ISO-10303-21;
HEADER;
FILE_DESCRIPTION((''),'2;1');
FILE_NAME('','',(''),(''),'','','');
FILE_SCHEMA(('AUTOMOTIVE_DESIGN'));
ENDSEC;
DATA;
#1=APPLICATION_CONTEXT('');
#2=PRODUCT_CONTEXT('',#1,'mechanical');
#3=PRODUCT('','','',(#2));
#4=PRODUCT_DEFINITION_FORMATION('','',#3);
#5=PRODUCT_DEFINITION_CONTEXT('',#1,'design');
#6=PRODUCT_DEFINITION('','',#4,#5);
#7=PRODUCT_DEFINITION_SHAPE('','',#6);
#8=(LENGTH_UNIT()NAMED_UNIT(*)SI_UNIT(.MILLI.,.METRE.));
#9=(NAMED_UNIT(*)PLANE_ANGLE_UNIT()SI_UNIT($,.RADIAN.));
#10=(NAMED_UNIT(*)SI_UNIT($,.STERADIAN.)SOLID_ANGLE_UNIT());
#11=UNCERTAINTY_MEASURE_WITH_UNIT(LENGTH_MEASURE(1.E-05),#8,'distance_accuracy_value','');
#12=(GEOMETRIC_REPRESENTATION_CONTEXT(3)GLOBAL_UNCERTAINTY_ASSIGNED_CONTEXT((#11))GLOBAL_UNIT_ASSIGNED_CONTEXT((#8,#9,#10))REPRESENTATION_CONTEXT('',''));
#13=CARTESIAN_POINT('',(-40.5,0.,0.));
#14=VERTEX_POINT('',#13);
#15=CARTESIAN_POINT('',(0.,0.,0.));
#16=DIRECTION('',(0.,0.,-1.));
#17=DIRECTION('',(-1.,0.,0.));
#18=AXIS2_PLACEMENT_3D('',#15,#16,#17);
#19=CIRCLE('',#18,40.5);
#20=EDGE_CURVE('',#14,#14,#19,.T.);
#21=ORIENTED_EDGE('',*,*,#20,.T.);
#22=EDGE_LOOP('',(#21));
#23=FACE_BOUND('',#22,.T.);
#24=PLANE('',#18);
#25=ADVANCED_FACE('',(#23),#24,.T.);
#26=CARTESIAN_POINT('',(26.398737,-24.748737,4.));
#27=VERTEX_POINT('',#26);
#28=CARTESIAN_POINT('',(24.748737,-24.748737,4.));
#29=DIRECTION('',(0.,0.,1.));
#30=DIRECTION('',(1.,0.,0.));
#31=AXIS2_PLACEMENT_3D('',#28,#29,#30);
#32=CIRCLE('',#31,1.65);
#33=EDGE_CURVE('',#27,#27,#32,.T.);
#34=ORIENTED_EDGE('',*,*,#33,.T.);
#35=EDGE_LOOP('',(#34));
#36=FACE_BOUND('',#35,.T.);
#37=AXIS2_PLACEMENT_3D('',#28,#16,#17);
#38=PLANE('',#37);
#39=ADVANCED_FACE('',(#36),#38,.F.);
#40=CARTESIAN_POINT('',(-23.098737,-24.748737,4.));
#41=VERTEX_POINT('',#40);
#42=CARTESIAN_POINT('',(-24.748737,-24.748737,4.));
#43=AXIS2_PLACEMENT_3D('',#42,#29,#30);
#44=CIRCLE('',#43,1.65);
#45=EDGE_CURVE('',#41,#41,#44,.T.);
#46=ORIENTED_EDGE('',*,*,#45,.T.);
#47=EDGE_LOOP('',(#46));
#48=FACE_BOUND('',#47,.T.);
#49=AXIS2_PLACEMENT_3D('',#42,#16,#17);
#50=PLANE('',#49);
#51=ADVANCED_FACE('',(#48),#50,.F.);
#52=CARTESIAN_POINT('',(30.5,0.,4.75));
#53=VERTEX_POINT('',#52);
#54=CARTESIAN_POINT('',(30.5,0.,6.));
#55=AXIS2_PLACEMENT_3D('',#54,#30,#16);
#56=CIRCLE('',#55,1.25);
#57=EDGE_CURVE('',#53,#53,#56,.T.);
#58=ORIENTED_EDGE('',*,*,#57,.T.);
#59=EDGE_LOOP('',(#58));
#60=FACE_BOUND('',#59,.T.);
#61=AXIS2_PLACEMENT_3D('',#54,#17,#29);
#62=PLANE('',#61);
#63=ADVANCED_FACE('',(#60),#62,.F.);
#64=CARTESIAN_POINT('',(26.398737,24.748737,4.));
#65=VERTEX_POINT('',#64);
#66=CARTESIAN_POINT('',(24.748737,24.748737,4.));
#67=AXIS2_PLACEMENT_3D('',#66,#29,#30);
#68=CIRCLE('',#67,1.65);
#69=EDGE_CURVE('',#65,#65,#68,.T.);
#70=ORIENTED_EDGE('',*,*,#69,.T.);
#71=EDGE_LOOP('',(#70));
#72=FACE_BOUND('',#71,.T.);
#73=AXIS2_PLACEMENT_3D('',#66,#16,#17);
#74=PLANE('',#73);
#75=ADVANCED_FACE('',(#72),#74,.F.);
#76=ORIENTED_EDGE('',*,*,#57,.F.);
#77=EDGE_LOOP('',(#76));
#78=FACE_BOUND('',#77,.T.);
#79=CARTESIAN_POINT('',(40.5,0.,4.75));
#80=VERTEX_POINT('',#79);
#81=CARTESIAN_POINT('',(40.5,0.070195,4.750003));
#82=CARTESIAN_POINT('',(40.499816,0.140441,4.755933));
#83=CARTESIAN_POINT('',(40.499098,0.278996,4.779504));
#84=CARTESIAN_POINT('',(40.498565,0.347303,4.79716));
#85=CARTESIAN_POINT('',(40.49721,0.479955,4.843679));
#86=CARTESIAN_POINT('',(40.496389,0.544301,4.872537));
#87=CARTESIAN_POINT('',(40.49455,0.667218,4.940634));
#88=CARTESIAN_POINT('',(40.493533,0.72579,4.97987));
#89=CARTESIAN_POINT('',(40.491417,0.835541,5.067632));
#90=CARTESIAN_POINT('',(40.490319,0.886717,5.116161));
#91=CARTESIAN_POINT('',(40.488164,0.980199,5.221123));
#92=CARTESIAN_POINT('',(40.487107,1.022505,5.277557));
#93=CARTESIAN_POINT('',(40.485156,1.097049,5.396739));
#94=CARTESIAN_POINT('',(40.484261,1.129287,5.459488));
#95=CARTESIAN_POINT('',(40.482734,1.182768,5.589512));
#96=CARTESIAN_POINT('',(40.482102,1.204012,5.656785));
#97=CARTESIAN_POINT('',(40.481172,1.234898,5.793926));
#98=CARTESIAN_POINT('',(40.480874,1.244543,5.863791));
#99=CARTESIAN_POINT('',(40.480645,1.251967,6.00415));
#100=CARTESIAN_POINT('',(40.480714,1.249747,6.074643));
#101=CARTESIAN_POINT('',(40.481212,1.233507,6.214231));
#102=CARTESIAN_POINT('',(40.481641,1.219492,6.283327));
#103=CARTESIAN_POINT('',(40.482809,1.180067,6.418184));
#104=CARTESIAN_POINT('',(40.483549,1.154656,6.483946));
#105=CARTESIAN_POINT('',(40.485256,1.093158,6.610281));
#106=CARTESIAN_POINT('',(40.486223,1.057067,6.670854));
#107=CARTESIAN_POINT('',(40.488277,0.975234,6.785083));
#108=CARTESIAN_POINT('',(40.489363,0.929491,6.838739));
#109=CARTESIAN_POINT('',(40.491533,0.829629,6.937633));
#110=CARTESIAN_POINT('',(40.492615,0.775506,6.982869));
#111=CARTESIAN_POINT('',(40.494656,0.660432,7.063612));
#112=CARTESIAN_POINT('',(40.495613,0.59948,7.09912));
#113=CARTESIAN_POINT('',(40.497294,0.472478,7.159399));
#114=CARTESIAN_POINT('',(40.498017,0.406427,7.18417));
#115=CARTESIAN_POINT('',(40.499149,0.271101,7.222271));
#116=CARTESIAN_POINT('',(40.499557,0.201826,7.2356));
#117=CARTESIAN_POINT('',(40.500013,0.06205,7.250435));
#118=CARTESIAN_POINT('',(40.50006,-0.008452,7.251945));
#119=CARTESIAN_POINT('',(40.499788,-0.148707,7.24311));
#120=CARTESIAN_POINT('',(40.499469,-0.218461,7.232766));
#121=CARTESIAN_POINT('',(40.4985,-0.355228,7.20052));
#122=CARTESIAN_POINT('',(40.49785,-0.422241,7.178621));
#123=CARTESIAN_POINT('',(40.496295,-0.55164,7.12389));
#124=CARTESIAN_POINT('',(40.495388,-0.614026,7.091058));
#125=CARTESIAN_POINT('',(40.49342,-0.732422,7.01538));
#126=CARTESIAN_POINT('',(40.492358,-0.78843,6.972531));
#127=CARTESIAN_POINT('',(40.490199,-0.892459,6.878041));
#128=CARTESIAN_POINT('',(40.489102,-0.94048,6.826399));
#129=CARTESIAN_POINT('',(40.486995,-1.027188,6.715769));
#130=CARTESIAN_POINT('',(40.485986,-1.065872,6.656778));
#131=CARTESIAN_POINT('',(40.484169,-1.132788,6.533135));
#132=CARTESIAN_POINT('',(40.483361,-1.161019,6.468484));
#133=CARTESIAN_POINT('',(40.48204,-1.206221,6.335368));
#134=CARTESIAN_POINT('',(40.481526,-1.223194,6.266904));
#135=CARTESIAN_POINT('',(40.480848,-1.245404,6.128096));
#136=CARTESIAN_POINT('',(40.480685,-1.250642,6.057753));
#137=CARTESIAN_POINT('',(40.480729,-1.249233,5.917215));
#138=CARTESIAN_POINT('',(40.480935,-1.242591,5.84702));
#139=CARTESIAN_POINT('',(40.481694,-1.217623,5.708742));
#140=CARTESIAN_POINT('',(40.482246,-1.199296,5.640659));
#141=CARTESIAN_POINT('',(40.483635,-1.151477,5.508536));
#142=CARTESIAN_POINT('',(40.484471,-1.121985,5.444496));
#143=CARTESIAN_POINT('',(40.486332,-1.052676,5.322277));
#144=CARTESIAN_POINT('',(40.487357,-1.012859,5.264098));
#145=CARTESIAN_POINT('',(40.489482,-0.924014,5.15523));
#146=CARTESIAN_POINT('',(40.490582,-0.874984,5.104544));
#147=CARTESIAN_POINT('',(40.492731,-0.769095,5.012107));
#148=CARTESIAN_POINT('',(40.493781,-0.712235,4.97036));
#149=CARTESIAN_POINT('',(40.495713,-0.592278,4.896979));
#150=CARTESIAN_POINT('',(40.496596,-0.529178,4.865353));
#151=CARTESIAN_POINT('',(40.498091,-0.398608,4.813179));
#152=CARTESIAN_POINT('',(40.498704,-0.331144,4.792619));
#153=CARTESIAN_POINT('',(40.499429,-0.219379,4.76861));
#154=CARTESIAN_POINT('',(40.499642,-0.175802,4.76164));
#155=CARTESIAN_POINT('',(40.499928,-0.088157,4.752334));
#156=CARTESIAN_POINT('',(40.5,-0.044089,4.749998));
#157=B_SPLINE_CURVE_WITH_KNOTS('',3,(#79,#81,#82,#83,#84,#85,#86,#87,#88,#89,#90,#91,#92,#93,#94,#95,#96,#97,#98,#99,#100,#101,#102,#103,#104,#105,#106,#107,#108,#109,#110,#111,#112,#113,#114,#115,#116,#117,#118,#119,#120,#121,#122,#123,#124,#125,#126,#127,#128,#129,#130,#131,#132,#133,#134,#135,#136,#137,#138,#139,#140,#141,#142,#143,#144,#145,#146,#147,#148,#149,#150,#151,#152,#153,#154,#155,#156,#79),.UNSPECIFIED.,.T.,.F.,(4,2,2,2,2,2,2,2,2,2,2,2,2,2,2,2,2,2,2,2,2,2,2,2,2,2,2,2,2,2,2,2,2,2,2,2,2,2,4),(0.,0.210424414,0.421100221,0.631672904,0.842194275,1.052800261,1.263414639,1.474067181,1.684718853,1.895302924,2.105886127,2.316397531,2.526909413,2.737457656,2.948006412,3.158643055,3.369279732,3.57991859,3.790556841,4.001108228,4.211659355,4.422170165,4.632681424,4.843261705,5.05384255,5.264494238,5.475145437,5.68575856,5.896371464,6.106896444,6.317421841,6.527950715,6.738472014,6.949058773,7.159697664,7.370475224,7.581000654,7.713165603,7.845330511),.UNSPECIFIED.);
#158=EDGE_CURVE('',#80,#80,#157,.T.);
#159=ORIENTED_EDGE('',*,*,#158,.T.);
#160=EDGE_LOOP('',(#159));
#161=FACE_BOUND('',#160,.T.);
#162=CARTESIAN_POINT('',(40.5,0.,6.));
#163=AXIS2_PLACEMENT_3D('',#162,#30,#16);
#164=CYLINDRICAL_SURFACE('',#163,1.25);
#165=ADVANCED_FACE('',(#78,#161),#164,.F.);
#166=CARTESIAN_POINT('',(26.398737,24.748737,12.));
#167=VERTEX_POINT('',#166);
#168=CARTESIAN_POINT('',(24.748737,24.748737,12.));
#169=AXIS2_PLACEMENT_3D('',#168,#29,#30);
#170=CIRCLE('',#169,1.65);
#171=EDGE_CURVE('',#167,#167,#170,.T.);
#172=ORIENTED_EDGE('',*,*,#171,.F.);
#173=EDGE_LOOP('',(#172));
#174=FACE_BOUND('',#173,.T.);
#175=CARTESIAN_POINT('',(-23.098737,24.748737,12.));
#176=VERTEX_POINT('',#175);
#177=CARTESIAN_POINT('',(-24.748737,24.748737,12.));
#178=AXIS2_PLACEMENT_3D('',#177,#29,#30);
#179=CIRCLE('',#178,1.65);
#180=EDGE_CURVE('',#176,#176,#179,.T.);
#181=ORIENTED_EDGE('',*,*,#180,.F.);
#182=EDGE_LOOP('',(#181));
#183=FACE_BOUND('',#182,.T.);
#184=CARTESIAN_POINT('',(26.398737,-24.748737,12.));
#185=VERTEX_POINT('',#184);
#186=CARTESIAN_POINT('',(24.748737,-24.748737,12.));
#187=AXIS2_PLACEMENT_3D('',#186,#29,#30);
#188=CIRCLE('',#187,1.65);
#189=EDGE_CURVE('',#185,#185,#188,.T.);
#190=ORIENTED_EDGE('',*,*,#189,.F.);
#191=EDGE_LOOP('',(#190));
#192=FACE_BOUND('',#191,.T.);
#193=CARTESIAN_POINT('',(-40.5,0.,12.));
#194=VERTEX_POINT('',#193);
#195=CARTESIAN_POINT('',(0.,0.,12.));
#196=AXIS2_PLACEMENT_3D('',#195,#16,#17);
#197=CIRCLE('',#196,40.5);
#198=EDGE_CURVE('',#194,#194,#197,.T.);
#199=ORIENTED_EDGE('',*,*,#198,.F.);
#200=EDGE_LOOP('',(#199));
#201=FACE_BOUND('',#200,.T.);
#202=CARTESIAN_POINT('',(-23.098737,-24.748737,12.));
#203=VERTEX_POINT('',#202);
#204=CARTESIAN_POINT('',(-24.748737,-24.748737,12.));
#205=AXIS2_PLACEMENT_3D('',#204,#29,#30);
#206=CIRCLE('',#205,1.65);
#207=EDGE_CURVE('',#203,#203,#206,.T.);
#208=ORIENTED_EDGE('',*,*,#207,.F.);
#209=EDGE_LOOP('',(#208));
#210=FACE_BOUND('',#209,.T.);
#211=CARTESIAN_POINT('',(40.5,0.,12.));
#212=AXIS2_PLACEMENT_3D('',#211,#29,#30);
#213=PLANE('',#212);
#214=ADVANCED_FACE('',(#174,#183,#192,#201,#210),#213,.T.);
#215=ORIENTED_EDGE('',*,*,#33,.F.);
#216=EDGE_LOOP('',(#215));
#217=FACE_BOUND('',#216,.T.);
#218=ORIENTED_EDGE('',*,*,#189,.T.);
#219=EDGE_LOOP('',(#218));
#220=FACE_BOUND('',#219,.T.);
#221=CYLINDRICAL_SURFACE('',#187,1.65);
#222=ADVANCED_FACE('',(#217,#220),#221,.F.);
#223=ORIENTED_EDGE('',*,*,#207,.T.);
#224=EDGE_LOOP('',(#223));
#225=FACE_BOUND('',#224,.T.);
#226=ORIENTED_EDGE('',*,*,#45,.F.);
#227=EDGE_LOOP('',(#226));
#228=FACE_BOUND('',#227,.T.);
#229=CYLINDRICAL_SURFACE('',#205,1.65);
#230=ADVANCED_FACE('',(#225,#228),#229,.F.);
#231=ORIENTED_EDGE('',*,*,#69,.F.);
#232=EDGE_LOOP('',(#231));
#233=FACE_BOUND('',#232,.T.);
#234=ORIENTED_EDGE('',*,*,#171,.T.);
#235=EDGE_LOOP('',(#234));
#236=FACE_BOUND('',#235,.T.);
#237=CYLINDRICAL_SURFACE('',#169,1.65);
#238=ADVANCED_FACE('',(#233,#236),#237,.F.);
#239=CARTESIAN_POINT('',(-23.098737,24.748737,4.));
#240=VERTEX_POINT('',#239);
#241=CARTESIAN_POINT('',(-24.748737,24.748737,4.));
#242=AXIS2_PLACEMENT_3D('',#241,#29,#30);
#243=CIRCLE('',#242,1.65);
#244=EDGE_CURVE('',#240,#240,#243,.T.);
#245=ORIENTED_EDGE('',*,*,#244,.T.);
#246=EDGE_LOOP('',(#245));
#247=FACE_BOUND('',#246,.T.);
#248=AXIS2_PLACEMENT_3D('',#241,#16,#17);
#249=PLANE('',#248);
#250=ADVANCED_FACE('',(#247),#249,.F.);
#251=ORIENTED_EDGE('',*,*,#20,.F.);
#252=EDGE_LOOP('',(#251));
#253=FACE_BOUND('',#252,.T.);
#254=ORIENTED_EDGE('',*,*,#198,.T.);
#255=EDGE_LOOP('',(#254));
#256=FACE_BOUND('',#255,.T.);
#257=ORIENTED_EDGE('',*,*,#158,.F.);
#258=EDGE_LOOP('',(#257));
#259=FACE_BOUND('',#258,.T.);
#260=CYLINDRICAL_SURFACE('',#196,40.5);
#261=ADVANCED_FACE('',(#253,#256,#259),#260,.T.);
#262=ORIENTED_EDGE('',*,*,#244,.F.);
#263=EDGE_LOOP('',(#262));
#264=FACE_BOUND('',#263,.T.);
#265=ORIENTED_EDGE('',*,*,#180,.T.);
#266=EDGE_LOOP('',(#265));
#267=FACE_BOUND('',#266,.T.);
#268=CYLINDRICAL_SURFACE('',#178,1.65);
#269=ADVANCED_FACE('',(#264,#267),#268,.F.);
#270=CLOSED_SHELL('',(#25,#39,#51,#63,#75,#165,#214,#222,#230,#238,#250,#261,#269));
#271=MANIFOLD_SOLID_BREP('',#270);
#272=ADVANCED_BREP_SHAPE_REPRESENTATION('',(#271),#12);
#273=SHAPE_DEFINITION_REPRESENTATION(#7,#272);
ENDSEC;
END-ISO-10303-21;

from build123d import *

# Parameters (mm, degrees)
SKETCH1_W                      = 40.5
SKETCH1_H                      = 12
F_2_5_2_5_DIAMETER_HOLE1_D     = 2.5
F_2_5_2_5_DIAMETER_HOLE1_DEPTH = 10
F_3_3_3_3_DIAMETER_HOLE1_D     = 3.3
F_3_3_3_3_DIAMETER_HOLE1_DEPTH = 8


with BuildPart() as part:
    # Sketch1 → Revolve1 (revolve)
    with BuildSketch(Plane.XZ, mode=Mode.PRIVATE) as revolve1_sk:
        with Locations((20.25, 6)):
            Rectangle(SKETCH1_W, SKETCH1_H)
    revolve(revolve1_sk.sketch.rotate(Axis((0, 0, 12), (0, 0, -1)), 180), axis=Axis((0, 0, 12), (0, 0, -1)))

    # Ø2.5 (2.5) Diameter Hole1
    with Locations(Plane(origin=(40.5, 0, 6), x_dir=(0, 1, 0), z_dir=(1, 0, 0))):
        with Locations((0, 0)):
            Hole(F_2_5_2_5_DIAMETER_HOLE1_D / 2, depth=F_2_5_2_5_DIAMETER_HOLE1_DEPTH)

    # Ø3.3 (3.3) Diameter Hole1
    with Locations(Plane.XY.offset(12)):
        with Locations((24.748737342, 24.748737342), (-24.748737342, 24.748737342), (24.748737342, -24.748737342), (-24.748737342, -24.748737342)):
            Hole(F_3_3_3_3_DIAMETER_HOLE1_D / 2, depth=F_3_3_3_3_DIAMETER_HOLE1_DEPTH)


solid = part.part
